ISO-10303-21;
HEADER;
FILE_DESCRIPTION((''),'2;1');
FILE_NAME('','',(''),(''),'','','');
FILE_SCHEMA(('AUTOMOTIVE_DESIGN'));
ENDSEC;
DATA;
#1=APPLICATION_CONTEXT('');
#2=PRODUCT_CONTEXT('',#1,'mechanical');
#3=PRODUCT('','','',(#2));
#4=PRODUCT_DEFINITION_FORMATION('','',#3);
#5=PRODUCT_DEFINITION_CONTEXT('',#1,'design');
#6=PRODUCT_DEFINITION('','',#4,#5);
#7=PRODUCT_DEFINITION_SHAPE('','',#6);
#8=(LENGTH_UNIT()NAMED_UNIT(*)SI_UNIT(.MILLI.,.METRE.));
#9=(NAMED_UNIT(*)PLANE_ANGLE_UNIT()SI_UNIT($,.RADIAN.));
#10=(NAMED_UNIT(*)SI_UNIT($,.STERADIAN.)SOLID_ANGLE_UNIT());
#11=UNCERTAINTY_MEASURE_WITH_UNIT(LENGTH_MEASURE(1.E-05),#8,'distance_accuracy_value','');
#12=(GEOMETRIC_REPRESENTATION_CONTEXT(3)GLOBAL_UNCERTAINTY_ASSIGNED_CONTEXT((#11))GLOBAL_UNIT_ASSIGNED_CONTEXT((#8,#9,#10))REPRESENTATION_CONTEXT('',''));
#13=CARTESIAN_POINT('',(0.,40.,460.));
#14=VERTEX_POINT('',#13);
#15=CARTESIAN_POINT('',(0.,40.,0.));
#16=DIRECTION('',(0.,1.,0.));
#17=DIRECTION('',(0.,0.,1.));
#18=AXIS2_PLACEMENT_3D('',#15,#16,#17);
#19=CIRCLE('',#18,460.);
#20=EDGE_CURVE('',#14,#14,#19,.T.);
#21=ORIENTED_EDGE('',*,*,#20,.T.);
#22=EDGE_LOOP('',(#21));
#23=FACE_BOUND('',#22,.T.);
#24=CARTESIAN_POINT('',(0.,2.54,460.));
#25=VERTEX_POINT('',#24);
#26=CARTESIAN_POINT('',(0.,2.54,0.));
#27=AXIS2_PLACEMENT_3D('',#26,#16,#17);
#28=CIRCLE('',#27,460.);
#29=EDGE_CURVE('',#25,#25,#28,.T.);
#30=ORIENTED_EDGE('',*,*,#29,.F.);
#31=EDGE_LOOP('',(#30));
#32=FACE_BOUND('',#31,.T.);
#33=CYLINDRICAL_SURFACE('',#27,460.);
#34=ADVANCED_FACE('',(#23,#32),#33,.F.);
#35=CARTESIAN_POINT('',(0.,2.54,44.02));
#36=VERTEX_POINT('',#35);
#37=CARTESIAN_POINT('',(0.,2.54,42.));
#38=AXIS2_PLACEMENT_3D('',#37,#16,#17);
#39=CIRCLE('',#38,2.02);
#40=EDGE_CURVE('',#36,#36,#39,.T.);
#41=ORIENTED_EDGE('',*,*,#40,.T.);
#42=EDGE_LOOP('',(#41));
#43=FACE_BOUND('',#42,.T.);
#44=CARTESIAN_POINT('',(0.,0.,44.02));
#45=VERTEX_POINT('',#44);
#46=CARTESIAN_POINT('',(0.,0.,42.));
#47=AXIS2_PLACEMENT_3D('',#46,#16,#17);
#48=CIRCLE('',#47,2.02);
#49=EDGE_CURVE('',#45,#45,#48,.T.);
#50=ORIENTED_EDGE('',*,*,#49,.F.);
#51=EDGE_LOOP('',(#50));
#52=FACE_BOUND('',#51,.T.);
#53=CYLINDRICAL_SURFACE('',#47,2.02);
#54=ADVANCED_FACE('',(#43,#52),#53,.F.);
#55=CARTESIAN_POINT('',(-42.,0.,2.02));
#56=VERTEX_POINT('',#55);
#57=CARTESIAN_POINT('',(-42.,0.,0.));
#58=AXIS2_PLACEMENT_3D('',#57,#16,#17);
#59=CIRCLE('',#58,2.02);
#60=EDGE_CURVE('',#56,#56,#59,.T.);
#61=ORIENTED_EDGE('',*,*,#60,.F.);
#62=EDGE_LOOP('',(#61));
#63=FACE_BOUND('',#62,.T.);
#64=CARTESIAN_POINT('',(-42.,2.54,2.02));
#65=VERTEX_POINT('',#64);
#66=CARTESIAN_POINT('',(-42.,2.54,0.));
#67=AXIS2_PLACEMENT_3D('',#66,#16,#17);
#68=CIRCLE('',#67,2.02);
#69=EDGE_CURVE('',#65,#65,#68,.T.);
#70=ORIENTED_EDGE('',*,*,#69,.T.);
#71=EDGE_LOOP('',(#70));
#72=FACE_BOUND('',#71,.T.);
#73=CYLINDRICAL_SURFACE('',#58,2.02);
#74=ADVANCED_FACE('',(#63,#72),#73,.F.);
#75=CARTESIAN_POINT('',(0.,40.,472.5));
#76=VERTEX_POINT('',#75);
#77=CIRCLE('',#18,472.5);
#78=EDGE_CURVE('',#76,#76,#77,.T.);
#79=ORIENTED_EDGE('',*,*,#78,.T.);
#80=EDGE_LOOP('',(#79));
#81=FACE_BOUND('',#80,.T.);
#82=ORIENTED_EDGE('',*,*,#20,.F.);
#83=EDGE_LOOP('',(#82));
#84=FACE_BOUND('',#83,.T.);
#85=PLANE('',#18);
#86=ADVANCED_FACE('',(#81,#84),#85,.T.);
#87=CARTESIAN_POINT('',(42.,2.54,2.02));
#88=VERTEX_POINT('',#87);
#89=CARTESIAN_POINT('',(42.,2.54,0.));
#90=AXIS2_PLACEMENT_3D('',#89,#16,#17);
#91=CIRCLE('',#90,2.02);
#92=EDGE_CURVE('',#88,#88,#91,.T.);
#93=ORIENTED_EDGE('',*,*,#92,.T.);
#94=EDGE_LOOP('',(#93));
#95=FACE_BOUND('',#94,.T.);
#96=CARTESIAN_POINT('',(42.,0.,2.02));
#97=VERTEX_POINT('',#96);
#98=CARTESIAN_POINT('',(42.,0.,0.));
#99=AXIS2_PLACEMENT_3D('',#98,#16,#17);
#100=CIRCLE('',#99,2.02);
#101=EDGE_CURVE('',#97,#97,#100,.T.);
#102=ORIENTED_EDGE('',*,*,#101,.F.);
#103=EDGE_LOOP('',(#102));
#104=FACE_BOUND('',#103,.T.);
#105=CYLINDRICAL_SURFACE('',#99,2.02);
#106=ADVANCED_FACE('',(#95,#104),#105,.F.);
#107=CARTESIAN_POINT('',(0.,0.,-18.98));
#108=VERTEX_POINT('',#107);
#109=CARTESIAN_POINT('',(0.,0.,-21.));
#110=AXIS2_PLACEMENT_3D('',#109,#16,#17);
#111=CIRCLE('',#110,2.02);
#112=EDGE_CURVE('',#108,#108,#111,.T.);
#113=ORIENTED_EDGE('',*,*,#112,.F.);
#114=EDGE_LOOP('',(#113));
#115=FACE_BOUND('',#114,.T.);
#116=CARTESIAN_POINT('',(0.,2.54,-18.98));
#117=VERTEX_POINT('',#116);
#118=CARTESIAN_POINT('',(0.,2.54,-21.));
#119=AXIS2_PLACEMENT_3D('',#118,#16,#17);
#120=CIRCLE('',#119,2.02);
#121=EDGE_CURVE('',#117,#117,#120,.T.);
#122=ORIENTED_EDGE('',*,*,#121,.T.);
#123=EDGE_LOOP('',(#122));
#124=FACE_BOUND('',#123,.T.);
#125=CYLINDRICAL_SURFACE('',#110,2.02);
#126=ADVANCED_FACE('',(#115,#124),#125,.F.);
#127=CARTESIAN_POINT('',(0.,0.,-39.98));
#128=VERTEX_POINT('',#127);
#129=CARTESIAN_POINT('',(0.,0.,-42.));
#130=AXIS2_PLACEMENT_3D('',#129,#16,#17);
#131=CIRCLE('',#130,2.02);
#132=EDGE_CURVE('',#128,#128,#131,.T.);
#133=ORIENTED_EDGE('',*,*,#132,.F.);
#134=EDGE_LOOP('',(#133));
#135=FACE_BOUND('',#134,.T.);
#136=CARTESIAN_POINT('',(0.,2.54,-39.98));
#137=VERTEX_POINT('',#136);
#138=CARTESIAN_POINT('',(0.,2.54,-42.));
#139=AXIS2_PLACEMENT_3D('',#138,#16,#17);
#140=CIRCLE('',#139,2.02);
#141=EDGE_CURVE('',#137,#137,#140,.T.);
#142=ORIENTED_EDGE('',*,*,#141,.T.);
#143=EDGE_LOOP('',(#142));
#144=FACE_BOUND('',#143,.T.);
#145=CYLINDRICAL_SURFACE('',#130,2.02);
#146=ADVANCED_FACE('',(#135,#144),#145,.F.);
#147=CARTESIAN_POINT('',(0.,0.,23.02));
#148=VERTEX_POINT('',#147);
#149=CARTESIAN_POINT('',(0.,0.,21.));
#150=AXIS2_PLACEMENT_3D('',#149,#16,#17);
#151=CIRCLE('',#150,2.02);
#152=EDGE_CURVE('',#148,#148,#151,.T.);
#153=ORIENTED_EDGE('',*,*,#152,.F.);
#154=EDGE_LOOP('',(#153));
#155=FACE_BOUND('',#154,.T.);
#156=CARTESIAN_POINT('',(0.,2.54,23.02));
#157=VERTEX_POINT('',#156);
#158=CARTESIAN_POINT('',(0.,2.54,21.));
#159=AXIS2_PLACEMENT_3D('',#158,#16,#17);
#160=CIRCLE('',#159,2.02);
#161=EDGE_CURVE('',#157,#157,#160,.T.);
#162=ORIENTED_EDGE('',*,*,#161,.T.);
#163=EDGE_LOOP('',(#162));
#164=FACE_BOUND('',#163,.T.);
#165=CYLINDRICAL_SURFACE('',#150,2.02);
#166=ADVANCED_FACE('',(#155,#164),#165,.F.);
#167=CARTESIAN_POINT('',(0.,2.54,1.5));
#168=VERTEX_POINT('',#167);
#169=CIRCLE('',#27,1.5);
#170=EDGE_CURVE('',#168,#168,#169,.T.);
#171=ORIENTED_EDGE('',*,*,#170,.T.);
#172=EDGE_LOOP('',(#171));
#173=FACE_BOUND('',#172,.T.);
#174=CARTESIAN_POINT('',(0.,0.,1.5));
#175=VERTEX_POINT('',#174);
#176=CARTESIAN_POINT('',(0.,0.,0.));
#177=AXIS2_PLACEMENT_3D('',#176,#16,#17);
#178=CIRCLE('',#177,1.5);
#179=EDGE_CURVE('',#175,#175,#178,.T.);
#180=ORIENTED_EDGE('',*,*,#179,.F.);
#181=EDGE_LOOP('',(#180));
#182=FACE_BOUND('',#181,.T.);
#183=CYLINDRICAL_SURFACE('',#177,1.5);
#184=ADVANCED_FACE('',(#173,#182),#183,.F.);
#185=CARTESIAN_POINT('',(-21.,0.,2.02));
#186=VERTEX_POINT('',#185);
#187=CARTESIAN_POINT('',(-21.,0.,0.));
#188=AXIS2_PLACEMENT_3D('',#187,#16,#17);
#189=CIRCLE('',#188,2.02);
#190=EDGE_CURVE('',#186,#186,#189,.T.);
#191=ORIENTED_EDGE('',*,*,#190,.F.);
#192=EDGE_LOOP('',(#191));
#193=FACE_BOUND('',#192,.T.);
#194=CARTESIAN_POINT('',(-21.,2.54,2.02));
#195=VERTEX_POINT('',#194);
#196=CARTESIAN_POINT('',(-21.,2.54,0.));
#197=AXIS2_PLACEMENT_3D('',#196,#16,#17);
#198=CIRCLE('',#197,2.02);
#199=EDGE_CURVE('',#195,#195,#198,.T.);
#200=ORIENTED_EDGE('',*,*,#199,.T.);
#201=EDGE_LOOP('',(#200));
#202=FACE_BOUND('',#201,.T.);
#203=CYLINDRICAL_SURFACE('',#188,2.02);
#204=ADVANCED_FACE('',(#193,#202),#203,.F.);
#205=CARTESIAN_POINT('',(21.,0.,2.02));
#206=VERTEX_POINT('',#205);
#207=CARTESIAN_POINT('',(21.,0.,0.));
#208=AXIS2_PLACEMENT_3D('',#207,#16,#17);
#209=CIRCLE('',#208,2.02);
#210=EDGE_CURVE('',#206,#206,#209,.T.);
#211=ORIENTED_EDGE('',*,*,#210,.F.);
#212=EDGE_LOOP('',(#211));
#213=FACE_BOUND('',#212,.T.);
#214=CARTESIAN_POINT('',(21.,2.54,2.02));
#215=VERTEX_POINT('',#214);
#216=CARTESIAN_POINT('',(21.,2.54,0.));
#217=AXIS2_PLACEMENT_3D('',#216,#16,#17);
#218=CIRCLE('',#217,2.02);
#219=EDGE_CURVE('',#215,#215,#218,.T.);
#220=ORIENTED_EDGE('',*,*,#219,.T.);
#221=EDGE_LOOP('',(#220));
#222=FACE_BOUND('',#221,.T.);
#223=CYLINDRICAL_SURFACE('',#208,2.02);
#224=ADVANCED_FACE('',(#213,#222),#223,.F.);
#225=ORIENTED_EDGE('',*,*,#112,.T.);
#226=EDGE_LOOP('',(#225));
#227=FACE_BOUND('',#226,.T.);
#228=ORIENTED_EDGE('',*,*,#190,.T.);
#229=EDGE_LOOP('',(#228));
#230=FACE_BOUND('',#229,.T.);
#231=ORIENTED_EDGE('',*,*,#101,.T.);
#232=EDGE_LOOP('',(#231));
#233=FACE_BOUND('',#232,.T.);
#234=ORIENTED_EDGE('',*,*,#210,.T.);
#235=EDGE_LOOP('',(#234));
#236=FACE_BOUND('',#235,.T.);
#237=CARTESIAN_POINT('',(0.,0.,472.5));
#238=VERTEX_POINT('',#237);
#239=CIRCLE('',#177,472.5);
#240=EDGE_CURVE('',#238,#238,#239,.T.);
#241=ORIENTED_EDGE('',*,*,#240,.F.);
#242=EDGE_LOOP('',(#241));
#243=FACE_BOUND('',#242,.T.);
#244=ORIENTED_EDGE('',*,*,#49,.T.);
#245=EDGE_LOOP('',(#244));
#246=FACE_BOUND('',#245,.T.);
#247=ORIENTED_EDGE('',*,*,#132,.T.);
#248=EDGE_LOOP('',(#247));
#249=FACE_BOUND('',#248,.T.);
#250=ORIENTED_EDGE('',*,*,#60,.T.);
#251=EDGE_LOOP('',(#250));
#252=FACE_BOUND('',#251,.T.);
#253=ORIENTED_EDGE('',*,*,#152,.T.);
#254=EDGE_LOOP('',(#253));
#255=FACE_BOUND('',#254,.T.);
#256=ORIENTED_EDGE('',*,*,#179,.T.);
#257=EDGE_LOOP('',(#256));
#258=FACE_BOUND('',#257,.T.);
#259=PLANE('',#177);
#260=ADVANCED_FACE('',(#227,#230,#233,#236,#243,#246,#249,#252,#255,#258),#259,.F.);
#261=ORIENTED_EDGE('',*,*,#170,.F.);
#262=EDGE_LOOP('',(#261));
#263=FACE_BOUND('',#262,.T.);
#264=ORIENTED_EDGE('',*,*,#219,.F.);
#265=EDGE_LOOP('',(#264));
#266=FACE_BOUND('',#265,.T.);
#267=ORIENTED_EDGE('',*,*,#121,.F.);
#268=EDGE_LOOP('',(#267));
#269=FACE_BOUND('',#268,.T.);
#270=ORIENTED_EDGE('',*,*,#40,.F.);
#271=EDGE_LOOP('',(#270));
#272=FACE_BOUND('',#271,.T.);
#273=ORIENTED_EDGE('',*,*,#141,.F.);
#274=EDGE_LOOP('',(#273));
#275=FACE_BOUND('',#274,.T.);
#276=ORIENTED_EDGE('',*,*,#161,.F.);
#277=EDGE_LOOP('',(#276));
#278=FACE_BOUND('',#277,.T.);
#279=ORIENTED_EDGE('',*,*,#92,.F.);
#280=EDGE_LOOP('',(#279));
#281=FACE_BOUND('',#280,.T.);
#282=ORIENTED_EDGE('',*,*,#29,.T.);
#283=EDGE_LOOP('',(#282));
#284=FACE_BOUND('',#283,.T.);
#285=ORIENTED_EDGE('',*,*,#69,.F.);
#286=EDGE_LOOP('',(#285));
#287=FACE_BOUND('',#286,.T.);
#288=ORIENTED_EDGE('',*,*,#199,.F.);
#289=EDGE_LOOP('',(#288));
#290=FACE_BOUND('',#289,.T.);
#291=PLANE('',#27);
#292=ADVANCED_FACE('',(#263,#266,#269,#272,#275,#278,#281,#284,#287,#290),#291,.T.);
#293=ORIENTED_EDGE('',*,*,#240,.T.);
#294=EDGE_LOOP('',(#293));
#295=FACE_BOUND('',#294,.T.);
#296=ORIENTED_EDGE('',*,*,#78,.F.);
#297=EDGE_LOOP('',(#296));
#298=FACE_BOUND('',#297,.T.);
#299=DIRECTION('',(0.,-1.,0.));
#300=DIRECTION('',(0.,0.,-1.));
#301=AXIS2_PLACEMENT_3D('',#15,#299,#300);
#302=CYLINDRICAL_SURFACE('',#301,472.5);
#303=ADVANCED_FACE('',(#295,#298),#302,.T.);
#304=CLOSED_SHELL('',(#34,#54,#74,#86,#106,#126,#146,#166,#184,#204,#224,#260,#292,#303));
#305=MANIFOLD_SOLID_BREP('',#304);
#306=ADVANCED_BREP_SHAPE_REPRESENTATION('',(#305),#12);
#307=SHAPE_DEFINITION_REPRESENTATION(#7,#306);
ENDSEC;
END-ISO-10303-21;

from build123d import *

# Parameters (mm, degrees)
SKETCH1_R           = 472.5
BOSS_EXTRUDE1_DEPTH = 40
SKETCH3_R           = 460
CUT_EXTRUDE1_DEPTH  = 37.46
SKETCH5_R           = 1.5
CUT_EXTRUDE3_DEPTH  = 3.54
SKETCH8_R           = 2.02
CUT_EXTRUDE4_DEPTH  = 3.54


with BuildPart() as part:
    # Sketch1 → Boss-Extrude1 (new body)
    with BuildSketch(Plane(origin=(0, 0, 0), x_dir=(1, 0, 0), z_dir=(0, 1, 0))):
        Circle(SKETCH1_R)
    extrude(amount=BOSS_EXTRUDE1_DEPTH)

    # Sketch3 → Cut-Extrude1 (cut)
    with BuildSketch(Plane(origin=(0, 40, 0), x_dir=(1, 0, 0), z_dir=(0, 1, 0))):
        Circle(SKETCH3_R)
    extrude(amount=-CUT_EXTRUDE1_DEPTH, mode=Mode.SUBTRACT)

    # Sketch5 → Cut-Extrude3 (cut, through all)
    with BuildSketch(Plane(origin=(0, 2.54, 0), x_dir=(1, 0, 0), z_dir=(0, 1, 0))):
        Circle(SKETCH5_R)
    extrude(amount=-CUT_EXTRUDE3_DEPTH, mode=Mode.SUBTRACT)

    # Sketch8 → Cut-Extrude4 (cut, through all)
    with BuildSketch(Plane(origin=(0, 2.54, 0), x_dir=(1, 0, 0), z_dir=(0, 1, 0))):
        with Locations((0, 42)):
            Circle(SKETCH8_R)
        with Locations((42, 0)):
            Circle(SKETCH8_R)
        with Locations((0, -42)):
            Circle(SKETCH8_R)
        with Locations((-42, 0)):
            Circle(SKETCH8_R)
        with Locations((0, 21)):
            Circle(SKETCH8_R)
        with Locations((21, 0)):
            Circle(SKETCH8_R)
        with Locations((0, -21)):
            Circle(SKETCH8_R)
        with Locations((-21, 0)):
            Circle(SKETCH8_R)
    extrude(amount=-CUT_EXTRUDE4_DEPTH, mode=Mode.SUBTRACT)


solid = part.part
